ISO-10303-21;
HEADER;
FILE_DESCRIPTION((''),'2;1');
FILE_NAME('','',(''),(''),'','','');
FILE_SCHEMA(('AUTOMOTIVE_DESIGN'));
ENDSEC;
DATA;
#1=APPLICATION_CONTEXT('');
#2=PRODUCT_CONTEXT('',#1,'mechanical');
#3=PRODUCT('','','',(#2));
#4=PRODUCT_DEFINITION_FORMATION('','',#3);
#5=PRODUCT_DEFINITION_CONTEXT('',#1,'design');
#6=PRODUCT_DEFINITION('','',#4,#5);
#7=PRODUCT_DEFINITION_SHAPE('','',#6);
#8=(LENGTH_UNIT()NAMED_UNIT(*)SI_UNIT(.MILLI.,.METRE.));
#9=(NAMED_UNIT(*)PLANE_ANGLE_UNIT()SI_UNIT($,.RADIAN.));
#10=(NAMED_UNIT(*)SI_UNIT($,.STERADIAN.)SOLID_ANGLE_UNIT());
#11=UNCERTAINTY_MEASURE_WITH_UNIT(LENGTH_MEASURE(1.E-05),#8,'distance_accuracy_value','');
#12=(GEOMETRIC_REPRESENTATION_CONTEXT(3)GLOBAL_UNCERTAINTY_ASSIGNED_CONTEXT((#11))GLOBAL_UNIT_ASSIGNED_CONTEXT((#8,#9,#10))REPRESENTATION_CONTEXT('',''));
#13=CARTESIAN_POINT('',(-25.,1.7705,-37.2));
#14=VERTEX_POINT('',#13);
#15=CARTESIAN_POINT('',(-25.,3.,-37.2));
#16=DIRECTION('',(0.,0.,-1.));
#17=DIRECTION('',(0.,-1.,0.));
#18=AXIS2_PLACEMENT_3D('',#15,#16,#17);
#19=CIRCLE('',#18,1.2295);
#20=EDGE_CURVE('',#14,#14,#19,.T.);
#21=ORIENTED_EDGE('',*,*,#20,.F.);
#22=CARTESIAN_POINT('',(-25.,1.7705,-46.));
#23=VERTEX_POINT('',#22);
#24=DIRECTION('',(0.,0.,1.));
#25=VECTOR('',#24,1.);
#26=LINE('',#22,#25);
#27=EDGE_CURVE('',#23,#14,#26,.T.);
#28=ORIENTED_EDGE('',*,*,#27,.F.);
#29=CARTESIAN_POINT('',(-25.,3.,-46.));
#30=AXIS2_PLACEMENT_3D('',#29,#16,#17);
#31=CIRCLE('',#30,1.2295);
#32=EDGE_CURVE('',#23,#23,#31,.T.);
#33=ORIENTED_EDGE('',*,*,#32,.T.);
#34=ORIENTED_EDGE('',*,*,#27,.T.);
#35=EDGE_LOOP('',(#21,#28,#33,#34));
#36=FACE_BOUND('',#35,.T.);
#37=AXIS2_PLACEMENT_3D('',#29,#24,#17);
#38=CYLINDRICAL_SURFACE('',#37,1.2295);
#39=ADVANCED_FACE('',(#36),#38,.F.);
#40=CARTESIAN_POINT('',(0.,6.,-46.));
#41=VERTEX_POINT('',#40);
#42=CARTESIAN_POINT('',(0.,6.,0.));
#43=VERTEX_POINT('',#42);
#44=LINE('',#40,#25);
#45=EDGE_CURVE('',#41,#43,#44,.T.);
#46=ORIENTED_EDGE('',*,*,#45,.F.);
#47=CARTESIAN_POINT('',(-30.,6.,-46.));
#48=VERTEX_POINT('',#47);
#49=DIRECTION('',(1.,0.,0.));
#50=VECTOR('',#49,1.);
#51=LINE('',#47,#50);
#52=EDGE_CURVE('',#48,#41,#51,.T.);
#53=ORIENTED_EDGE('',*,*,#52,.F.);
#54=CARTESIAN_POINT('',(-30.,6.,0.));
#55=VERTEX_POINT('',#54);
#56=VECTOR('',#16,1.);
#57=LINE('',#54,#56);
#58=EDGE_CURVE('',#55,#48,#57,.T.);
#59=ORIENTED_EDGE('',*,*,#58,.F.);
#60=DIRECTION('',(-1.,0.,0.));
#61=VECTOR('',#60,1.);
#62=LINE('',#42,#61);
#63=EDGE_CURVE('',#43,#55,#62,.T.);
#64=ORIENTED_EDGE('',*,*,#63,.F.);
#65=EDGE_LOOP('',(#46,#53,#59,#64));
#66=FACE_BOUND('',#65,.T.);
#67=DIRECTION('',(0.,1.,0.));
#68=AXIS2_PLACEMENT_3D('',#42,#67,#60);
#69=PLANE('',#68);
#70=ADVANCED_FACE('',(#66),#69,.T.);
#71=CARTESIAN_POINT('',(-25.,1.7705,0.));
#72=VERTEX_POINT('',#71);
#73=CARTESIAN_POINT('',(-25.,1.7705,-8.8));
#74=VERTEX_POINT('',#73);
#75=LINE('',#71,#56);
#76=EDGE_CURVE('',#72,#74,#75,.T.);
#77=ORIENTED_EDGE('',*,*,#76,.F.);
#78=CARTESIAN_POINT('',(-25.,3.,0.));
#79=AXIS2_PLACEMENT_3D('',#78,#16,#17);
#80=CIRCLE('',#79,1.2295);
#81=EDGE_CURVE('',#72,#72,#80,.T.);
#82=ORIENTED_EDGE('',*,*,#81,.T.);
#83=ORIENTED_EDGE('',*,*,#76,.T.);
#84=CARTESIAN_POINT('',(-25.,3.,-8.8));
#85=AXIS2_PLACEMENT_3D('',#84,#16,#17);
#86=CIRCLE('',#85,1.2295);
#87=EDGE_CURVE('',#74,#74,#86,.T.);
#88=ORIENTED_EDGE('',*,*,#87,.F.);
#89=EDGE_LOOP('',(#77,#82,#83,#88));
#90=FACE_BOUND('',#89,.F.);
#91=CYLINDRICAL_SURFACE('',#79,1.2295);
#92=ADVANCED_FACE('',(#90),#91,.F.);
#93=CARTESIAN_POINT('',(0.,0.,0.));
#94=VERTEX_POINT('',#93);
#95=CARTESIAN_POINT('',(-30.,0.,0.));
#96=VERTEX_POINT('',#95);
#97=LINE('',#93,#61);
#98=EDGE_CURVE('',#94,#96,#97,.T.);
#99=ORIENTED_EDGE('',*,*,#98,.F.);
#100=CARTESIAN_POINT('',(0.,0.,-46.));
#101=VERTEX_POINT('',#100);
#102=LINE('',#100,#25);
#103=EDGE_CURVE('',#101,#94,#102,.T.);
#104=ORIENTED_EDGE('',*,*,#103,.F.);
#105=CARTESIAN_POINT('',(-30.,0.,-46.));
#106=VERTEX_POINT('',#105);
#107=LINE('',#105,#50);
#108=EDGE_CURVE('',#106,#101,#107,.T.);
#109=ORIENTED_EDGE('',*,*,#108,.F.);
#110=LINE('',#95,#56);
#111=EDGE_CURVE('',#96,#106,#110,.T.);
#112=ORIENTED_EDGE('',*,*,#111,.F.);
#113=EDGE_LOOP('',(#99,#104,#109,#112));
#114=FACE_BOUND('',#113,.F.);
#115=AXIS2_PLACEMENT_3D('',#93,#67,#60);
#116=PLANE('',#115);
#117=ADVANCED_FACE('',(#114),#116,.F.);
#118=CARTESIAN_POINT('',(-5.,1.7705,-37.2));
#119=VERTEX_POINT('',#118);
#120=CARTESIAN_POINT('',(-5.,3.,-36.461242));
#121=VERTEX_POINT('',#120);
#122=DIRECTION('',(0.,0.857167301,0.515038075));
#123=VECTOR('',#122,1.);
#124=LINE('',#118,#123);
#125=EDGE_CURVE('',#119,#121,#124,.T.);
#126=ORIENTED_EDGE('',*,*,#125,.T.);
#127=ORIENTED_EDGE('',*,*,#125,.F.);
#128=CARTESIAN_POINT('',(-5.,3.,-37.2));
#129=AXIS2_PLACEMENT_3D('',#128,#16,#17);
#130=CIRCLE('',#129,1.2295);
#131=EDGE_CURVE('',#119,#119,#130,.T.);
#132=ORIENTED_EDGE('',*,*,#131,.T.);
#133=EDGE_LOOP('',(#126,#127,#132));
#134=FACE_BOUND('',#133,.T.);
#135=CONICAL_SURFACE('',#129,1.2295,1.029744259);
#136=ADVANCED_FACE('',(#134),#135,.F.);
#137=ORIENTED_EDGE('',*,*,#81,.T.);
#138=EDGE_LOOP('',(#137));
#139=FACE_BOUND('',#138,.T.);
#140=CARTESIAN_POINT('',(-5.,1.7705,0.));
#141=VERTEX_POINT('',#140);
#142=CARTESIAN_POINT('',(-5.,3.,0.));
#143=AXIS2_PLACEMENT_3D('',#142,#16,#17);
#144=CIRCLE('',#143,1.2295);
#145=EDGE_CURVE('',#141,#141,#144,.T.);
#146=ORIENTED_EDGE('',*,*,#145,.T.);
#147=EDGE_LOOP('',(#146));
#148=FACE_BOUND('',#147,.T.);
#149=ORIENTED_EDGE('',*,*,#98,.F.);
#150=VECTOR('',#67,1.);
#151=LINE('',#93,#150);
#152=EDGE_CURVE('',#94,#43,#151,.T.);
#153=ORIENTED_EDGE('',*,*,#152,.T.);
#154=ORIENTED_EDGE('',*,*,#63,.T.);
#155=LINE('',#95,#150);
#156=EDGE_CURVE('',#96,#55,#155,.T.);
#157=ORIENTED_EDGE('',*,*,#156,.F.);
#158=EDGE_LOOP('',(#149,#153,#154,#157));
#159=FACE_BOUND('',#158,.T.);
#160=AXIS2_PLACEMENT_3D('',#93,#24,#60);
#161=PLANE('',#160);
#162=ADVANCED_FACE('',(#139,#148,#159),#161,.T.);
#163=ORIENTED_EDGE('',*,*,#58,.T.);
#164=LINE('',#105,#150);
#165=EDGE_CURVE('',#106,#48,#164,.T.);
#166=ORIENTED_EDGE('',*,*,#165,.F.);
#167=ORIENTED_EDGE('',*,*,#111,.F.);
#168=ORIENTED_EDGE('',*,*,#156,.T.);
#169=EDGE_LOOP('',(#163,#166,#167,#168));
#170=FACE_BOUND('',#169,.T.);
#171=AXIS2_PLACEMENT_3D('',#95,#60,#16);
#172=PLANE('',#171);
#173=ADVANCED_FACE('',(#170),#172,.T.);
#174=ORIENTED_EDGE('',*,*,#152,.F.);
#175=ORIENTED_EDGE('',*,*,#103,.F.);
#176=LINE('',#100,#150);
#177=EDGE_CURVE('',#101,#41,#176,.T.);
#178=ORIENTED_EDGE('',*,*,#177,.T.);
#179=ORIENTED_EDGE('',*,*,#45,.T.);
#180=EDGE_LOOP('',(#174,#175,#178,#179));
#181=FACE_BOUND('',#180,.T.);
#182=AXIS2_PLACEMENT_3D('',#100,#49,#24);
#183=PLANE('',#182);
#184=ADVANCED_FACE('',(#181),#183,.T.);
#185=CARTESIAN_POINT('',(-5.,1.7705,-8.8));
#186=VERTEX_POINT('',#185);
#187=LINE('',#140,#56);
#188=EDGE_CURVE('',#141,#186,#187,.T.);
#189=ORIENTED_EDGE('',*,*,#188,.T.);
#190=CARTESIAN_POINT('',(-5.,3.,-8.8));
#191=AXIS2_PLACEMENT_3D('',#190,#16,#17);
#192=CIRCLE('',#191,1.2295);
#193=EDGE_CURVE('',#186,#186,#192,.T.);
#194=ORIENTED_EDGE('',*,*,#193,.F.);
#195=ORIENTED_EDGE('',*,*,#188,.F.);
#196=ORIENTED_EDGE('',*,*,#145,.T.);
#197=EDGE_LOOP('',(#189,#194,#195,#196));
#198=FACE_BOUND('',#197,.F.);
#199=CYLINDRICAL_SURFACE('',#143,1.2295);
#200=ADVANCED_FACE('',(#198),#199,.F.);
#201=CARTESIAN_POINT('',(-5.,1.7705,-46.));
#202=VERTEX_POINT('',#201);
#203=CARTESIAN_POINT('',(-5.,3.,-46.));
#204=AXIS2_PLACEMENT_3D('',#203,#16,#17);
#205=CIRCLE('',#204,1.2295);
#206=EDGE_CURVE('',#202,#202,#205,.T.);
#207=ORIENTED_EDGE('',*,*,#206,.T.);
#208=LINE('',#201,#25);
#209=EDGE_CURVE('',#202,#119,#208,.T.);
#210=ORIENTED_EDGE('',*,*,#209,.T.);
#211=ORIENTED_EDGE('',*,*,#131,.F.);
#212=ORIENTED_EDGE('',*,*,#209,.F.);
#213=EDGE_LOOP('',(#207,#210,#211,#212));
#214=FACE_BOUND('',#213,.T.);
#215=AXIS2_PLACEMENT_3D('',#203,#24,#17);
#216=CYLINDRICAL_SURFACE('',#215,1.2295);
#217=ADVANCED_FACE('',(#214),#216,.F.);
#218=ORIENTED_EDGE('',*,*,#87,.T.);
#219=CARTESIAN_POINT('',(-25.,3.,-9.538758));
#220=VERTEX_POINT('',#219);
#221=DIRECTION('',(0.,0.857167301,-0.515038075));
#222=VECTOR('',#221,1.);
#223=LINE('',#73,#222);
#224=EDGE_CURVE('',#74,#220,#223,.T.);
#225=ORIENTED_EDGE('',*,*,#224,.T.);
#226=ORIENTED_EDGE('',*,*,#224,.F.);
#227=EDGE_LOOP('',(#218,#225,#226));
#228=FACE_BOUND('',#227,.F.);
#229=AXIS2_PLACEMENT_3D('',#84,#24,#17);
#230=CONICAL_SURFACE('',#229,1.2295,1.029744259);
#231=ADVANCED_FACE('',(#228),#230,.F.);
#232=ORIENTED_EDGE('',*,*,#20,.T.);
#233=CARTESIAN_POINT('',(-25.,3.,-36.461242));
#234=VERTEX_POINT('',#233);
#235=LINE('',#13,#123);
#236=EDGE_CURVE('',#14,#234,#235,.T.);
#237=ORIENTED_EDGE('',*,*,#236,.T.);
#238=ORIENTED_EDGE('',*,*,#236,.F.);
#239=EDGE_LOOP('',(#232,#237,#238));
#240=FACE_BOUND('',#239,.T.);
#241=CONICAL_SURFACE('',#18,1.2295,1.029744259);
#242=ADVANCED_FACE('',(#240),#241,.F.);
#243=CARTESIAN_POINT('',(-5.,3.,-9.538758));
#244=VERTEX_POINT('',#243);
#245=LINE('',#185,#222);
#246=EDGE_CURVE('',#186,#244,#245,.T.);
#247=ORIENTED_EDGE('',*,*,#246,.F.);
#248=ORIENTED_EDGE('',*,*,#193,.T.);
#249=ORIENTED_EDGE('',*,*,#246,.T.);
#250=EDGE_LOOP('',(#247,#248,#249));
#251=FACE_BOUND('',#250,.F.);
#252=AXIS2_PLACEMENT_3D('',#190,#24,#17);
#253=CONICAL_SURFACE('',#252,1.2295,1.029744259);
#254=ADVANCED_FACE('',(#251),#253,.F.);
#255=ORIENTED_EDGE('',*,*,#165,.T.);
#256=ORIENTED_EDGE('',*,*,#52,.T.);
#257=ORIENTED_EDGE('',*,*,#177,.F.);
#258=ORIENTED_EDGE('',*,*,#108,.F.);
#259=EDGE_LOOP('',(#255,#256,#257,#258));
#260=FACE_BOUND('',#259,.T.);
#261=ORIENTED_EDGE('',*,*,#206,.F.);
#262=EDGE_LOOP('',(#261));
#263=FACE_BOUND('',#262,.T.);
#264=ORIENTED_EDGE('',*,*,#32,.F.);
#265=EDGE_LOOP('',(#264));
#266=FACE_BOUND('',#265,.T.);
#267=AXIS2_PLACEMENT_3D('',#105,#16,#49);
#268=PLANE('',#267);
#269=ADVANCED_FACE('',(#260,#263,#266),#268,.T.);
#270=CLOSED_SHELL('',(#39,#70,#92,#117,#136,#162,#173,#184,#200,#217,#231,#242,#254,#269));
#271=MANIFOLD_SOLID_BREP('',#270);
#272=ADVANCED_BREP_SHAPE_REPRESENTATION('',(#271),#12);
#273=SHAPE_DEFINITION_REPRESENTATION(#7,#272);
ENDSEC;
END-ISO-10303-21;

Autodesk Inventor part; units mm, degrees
ref_plane "YZ Plane" through (0, 0, 0) normal (1, 0, 0) x (0, 1, 0)
ref_plane "XZ Plane" through (0, 0, 0) normal (0, 1, 0) x (-1, 0, 0)
sketch "Sketch1" plane through (0, 0, 0) normal (0, 1, 0) x (-1, 0, 0)
  line L0 (0, 0) -> (30, 0)
  line L1 (30, 0) -> (30, -46)
  line L2 (30, -46) -> (0, -46)
  line L3 (0, -46) -> (0, 0)
  dimension "d0" = 30
  dimension "d1" = 46
extrude "Extrusion1" add sketch "Sketch1" along normal blind 6
sketch "Sketch2" plane through (-30, 0, 0) normal (0, 0, 1) x (1, 0, 0)
  line L0 (30, 0) -> (30, 6) projected
  line L1 (0, 0) -> (0, 6) projected
  point P0 (5, 3)
  point P1 (25, 3)
  point P2 (30, 3)
  point P3 (30, 3)
  dimension "d4" = 5
  dimension "d5" = 5
  dimension "d6" = 20
hole "Hole1" at (-25, 3, 0) at (-5, 3, 0) direction (0, 0, -1) diameter 2.459 depth 8.8 tip angle 118 thread size "M3x0.5" class "6H" standard "ANSI Metric M Profile"
ref_plane "Work Plane1" through (-30, 0, -23) normal (0, 0, 1) x (1, 0, 0)
mirror "Mirror1" about plane through (-30, 0, -23) normal (0, 0, 1) of "Hole1"
equation "\"d5\" = d4"
properties part number "Top_Separator Block" material "Aluminum 6061"
